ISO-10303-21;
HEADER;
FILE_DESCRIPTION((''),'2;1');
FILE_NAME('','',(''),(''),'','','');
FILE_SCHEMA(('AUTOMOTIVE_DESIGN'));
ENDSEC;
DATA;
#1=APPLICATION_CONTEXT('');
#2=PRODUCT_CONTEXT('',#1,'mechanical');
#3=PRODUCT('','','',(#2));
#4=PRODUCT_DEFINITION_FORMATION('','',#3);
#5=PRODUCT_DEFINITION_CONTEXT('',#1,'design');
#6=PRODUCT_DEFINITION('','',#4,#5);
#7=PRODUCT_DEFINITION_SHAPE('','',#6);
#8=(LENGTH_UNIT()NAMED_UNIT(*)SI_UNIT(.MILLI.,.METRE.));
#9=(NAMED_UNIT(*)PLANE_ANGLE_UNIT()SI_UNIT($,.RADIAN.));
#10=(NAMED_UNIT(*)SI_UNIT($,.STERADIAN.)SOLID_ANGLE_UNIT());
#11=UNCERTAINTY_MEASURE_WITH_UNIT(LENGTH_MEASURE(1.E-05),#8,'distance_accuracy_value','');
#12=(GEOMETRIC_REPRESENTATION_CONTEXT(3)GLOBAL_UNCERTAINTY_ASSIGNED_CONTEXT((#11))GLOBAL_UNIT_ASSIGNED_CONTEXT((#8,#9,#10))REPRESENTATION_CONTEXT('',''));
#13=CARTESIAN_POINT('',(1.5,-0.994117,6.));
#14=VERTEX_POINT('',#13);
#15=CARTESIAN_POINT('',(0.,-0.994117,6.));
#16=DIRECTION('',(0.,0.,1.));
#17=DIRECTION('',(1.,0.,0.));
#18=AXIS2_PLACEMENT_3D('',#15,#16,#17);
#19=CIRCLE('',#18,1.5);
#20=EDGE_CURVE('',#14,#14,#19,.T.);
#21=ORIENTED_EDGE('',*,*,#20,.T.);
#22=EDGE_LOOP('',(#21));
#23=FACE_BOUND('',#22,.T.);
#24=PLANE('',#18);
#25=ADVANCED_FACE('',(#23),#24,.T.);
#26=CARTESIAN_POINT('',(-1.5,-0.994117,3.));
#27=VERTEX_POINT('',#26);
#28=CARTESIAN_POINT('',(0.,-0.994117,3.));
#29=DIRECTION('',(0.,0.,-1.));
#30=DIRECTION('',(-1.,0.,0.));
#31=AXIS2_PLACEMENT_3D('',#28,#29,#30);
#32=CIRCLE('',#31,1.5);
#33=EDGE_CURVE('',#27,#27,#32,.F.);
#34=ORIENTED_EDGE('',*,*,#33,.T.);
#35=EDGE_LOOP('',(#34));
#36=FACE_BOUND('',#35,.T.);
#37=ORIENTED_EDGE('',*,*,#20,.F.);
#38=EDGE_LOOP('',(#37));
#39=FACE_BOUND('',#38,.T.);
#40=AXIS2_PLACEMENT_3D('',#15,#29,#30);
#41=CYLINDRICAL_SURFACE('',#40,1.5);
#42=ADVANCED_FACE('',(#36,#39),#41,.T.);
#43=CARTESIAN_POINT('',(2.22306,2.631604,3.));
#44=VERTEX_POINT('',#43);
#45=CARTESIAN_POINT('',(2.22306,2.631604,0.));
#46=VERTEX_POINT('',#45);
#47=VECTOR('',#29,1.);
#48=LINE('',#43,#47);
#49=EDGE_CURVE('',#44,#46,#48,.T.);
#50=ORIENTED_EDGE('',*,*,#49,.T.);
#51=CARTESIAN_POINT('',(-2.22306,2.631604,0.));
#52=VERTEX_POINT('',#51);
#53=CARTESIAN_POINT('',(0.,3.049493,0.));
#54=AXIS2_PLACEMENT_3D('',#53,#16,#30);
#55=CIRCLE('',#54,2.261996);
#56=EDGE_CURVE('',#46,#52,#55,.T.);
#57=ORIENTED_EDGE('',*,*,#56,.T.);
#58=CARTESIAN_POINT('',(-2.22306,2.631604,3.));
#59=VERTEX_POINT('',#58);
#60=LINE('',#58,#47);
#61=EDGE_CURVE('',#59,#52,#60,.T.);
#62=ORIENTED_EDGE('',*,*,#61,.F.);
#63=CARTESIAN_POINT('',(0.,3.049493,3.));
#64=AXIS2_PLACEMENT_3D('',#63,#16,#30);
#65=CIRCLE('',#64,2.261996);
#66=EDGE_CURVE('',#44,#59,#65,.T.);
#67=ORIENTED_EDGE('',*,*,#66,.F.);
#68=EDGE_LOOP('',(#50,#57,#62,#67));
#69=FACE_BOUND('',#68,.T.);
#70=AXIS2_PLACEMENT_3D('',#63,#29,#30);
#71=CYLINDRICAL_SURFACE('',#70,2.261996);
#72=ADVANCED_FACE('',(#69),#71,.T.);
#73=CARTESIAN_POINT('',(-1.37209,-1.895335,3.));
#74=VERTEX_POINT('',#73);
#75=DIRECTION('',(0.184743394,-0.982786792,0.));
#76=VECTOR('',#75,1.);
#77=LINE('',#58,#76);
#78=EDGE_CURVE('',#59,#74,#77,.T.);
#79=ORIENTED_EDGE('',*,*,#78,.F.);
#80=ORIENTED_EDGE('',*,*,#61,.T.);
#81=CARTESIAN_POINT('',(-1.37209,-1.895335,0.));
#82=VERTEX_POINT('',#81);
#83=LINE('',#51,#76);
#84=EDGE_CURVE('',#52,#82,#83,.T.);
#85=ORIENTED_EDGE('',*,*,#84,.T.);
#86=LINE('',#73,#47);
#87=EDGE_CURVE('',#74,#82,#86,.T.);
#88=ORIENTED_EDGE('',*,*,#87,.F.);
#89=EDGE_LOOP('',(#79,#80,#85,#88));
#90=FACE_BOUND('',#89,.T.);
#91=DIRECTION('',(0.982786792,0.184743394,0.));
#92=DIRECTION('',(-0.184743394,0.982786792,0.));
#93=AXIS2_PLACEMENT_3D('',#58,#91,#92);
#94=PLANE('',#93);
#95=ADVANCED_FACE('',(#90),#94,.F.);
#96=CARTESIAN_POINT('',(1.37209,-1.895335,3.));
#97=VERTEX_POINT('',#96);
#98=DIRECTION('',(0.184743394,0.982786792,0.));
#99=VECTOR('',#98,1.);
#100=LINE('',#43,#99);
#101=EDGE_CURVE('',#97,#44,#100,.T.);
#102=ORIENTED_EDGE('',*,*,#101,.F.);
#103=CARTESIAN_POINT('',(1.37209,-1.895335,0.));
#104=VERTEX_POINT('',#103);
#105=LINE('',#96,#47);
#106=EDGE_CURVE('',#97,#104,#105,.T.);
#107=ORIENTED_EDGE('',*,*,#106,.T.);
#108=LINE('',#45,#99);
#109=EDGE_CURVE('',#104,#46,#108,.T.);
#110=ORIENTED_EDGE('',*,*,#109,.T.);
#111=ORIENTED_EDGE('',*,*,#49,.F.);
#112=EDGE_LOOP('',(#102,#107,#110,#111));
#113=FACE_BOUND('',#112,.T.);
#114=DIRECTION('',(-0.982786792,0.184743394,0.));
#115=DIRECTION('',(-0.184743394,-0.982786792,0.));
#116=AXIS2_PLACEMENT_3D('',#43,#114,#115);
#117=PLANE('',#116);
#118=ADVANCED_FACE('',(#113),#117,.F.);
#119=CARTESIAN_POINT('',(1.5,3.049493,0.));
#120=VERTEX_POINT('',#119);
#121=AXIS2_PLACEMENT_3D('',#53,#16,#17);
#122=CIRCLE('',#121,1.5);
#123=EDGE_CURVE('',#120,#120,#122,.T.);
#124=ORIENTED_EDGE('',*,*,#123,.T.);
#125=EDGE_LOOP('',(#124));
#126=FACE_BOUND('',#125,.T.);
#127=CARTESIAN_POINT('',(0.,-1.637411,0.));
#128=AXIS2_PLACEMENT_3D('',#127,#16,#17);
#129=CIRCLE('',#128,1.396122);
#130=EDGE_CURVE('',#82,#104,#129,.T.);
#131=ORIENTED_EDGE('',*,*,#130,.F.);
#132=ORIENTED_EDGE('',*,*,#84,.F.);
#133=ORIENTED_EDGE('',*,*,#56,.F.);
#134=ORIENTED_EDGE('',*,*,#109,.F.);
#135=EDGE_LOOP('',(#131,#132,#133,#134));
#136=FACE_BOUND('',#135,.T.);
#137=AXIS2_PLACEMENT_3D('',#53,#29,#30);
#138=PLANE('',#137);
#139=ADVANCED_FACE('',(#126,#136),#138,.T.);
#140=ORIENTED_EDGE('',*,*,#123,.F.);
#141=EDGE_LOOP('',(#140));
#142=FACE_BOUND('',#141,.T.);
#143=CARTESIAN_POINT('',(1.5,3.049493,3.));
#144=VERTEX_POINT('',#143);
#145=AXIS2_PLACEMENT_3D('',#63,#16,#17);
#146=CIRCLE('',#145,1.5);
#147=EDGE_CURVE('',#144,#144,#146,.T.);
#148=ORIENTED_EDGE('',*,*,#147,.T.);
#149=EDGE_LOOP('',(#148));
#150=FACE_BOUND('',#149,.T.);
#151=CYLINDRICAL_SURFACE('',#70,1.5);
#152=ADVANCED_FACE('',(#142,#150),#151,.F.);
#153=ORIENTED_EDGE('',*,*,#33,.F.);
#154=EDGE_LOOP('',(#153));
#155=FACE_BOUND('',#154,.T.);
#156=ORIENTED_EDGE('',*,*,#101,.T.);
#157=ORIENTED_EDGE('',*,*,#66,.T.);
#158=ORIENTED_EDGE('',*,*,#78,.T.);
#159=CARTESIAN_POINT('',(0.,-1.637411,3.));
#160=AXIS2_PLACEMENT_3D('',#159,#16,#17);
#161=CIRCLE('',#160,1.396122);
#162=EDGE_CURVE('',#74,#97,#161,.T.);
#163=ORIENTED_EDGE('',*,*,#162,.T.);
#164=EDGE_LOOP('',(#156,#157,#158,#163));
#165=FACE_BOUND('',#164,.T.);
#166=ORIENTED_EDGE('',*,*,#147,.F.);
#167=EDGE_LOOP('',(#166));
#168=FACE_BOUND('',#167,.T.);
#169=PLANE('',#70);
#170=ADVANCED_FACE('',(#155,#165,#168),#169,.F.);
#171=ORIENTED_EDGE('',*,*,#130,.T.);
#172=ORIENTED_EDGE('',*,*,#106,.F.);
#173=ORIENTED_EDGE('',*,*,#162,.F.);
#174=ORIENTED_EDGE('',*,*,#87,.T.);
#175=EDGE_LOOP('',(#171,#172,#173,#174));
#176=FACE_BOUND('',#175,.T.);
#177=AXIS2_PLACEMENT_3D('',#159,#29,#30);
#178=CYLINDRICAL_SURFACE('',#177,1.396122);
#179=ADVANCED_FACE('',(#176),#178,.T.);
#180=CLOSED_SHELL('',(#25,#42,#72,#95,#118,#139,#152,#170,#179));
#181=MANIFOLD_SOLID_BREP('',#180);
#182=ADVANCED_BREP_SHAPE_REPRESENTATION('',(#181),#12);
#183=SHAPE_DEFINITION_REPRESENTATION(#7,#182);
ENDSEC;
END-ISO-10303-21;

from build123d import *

# Parameters (mm, degrees)
SKETCH2_R           = 2.5
BOSS_EXTRUDE1_DEPTH = 5
SKETCH5_R           = 2.5
BOSS_EXTRUDE2_DEPTH = 5
SCALE1_SCALE        = 0.6


with BuildPart() as part:
    # Sketch2 → Boss-Extrude1 (new body)
    with BuildSketch(Plane.XY):
        with BuildLine():
            Line((-3.705099972, 4.386006173), (-2.28681669, -3.158891918))
            ThreePointArc((-2.28681669, -3.158891918), (0, -5.055887715), (2.28681669, -3.158891918))
            Line((2.28681669, -3.158891918), (3.705099972, 4.386006173))
            ThreePointArc((3.705099972, 4.386006173), (0, 8.852481252), (-3.705099972, 4.386006173))
        make_face()
        with Locations((0, 5.082487595)):
            Circle(SKETCH2_R, mode=Mode.SUBTRACT)
    extrude(amount=BOSS_EXTRUDE1_DEPTH)

    # Sketch5 → Boss-Extrude2 (add)
    with BuildSketch(Plane.XY.offset(5)):
        with Locations(Location((0, -1.656861976, 0), (0, 0, 180))):
            Circle(SKETCH5_R)
    extrude(amount=BOSS_EXTRUDE2_DEPTH)


with BuildPart() as part_1:
    # Scale1: scaled about (0, 0, 0)
    add(part.part.scale(SCALE1_SCALE))


solid = part_1.part
